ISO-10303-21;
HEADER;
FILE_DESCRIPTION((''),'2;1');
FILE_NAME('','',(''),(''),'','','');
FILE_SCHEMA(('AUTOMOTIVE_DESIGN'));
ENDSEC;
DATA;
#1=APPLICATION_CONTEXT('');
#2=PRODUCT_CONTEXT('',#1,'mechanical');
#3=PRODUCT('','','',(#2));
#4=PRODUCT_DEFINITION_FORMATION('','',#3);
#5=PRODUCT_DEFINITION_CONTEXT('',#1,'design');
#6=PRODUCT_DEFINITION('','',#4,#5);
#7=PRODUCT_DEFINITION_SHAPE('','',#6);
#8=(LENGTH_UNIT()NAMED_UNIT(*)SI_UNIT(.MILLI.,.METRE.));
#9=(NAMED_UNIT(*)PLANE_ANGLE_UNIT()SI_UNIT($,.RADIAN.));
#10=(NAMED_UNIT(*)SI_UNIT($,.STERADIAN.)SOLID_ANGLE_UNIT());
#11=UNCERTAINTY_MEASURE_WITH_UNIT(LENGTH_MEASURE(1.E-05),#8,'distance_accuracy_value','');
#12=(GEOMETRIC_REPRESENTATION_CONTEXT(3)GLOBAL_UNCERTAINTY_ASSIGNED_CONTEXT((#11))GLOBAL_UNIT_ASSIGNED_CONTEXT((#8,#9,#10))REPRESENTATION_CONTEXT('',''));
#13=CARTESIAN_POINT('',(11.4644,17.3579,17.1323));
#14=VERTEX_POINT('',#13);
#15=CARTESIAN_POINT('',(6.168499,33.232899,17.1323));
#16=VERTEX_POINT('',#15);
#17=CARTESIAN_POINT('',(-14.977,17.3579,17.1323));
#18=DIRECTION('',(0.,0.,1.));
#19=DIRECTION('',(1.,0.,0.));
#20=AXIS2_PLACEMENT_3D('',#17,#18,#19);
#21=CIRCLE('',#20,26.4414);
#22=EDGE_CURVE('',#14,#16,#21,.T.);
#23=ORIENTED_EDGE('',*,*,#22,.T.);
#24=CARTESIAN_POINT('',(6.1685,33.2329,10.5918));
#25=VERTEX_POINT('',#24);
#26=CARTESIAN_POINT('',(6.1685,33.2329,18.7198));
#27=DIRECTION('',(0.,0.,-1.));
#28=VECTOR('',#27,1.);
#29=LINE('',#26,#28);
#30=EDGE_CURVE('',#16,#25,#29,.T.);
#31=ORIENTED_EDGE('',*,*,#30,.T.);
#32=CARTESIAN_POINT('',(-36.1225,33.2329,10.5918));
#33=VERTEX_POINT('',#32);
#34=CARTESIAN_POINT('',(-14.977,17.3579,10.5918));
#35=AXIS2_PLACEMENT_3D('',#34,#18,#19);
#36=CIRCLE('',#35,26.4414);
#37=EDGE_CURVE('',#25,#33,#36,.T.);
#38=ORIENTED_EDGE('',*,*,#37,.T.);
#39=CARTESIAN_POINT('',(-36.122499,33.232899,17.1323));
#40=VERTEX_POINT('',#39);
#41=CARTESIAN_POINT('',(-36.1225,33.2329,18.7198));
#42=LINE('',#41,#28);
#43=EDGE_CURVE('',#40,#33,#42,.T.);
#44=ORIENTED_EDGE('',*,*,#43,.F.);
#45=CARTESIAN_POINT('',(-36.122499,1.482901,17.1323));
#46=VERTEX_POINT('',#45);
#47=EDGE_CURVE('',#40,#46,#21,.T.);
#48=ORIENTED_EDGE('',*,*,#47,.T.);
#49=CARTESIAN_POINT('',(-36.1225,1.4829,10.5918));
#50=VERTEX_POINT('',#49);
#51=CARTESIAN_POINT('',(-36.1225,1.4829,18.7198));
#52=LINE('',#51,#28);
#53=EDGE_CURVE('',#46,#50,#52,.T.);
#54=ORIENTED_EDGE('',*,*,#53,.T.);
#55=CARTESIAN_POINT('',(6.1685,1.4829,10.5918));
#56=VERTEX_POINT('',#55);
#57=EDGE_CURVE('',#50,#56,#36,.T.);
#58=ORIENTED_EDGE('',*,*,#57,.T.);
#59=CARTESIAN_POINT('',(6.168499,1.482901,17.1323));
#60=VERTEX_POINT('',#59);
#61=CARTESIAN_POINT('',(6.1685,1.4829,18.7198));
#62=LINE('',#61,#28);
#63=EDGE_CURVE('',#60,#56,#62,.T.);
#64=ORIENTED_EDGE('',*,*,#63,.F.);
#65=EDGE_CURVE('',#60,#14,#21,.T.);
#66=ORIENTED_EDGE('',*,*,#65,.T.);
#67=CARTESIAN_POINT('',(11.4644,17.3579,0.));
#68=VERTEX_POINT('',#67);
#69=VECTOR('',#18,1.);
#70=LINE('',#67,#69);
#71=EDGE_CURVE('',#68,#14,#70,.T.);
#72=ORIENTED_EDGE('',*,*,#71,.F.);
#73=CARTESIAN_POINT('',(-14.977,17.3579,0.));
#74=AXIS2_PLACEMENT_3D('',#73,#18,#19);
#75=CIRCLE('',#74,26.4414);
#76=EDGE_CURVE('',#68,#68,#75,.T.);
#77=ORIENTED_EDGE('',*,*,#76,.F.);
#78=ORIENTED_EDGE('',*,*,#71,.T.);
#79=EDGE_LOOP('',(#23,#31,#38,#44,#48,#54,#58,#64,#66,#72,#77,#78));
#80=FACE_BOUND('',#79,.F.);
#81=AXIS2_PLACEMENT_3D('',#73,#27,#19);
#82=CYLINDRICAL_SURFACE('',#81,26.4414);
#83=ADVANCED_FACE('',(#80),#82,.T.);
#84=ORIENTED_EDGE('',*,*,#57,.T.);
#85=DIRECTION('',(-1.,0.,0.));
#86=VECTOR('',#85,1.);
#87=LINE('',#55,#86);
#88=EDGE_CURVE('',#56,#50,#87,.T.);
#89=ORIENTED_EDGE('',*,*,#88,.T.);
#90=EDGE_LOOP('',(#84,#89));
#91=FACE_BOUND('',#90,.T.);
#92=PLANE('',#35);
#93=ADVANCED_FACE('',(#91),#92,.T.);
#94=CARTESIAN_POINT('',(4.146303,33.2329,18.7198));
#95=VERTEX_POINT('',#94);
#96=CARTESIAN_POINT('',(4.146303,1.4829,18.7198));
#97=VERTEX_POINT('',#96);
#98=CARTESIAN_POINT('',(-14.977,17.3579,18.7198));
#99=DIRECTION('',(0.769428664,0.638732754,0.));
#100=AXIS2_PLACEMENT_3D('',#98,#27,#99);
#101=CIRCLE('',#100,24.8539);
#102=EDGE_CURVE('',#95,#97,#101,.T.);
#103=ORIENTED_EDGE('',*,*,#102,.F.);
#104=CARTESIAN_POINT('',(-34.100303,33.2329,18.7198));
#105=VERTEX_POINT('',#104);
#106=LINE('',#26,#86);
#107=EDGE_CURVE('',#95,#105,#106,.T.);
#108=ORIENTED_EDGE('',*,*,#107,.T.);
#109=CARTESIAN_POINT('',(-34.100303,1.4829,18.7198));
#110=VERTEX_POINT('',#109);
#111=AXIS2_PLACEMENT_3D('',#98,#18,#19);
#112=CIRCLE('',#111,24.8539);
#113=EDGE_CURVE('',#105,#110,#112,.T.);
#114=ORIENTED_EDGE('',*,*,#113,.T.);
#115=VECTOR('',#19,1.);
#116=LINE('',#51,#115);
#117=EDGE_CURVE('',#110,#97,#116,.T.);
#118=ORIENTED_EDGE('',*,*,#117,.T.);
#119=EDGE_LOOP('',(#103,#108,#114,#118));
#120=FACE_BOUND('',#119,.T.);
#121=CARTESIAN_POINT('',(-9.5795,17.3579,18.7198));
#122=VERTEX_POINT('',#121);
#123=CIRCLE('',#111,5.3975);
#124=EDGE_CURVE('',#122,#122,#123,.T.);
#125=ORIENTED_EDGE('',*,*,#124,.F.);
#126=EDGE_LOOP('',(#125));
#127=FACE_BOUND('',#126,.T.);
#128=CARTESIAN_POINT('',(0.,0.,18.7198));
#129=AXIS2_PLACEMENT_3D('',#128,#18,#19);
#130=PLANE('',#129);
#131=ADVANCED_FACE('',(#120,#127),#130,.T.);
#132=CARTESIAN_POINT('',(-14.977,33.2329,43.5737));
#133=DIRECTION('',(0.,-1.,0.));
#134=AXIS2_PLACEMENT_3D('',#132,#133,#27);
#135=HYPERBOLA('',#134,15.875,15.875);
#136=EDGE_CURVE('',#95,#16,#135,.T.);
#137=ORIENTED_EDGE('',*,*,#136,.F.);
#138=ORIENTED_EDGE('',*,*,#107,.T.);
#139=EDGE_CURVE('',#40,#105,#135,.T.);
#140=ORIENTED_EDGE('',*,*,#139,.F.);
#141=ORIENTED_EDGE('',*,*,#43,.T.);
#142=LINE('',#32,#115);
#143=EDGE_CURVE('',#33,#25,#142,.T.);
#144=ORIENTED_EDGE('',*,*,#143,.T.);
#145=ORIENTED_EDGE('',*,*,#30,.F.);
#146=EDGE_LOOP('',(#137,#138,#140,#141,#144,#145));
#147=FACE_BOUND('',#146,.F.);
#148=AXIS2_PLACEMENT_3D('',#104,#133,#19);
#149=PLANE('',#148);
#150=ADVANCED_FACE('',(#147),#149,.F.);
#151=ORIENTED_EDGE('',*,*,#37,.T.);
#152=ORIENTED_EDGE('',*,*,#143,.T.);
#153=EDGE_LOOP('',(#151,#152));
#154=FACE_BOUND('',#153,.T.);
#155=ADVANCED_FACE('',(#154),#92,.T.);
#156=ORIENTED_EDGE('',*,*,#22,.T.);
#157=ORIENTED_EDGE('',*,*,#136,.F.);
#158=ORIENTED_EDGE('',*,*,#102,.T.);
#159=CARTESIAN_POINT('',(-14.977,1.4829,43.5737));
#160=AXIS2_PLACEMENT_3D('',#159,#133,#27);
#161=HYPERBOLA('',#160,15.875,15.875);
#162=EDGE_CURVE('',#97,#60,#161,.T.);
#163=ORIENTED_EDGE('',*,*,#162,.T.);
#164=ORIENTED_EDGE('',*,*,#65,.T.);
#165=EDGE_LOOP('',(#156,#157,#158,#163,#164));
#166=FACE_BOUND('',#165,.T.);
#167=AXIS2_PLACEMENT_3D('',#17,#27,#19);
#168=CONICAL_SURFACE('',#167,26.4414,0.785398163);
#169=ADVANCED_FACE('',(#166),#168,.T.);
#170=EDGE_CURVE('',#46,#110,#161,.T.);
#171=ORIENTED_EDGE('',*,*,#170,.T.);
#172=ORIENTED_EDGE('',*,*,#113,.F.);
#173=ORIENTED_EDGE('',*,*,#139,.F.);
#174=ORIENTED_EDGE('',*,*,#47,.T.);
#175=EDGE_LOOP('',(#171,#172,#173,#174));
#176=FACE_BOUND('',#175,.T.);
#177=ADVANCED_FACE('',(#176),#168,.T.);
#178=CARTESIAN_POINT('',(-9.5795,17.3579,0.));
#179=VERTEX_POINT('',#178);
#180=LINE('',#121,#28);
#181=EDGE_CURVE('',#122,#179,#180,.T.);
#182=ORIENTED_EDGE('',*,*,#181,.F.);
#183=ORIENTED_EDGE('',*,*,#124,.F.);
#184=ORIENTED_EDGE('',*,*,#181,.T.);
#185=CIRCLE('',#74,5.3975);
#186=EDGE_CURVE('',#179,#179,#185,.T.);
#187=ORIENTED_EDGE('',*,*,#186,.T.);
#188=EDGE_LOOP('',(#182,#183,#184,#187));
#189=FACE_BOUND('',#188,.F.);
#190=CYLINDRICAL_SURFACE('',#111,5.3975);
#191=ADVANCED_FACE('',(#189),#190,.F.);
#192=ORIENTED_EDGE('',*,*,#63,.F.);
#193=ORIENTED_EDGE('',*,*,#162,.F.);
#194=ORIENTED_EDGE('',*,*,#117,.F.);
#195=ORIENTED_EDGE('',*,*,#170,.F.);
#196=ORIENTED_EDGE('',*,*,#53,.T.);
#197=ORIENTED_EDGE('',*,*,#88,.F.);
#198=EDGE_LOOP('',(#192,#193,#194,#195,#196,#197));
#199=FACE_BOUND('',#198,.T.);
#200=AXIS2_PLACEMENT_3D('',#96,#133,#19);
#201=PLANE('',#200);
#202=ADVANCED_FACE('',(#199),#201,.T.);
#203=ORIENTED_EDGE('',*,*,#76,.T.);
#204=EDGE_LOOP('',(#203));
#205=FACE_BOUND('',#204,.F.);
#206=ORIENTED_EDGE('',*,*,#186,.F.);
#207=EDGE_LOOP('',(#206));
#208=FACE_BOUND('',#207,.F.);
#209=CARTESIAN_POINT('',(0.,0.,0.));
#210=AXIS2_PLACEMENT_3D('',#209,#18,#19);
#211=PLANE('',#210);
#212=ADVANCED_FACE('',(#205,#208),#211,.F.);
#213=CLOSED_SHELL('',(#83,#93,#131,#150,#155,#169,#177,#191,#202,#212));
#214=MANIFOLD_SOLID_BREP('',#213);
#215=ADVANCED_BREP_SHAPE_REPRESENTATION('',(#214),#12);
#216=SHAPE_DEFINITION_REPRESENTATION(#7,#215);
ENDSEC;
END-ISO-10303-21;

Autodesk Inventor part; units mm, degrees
ref_plane "YZ Plane" through (0, 0, 0) normal (1, 0, 0) x (0, 1, 0)
ref_plane "XZ Plane" through (0, 0, 0) normal (0, 1, 0) x (-1, 0, 0)
ref_plane "XY Plane" through (0, 0, 0) normal (0, 0, 1) x (1, 0, 0)
sketch "Sketch1" plane through (0, 0, 0) normal (0, 0, 1) x (1, 0, 0)
  circle A0 centre (-14.977, 17.3579) radius 26.4414
  point P0 (0, 0)
  dimension "d0" = 52.8828
extrude "Extrusion1" add sketch "Sketch1" along normal blind 18.7198
chamfer "Chamfer1" distance 1.5875 angle 45 1 edges at (-41.4184, 17.3579, 18.7198)
sketch "Sketch2" plane through (-14.977, 17.3579, 18.7198) normal (0, 0, 1) x (1, 0, 0)
  circle A0 centre (0, 0) radius 24.8539 projected
  circle A1 centre (0, 0) radius 26.4414 projected
  line L0 (-21.1455, -15.875) -> (21.1455, -15.875)
  line L1 (-21.1455, 15.875) -> (21.1455, 15.875)
  arc A2 (21.1455, 15.875) -> (-21.1455, 15.875) centre (0, 0) ccw
  arc A3 (-21.1455, -15.875) -> (21.1455, -15.875) centre (0, 0) ccw
  point P0 (14.977, -17.3579)
  dimension "d6" = 31.75
  dimension "d7" = 15.875
extrude "Extrusion2" cut sketch "Sketch2" against normal blind 8.128 contours L1 A0 | A0 L1 A1 | L0 A1 A0 | A0 L0
sketch "Sketch3" plane through (0, 0, 18.7198) normal (0, 0, 1) x (1, 0, 0)
  arc A0 (-34.1003, 33.2329) -> (-34.1003, 1.4829) centre (-14.977, 17.3579) ccw projected
  circle A1 centre (-14.977, 17.3579) radius 5.3975
  point P0 (0, 0)
  dimension "d10" = 10.795
extrude "Extrusion3" cut sketch "Sketch3" against normal through all
thread "Thread1" size "9/16-12 UNC" class "2B" standard "ANSI Unified Screw Threads" full length
properties part number "Auumulator Cap 1764"
